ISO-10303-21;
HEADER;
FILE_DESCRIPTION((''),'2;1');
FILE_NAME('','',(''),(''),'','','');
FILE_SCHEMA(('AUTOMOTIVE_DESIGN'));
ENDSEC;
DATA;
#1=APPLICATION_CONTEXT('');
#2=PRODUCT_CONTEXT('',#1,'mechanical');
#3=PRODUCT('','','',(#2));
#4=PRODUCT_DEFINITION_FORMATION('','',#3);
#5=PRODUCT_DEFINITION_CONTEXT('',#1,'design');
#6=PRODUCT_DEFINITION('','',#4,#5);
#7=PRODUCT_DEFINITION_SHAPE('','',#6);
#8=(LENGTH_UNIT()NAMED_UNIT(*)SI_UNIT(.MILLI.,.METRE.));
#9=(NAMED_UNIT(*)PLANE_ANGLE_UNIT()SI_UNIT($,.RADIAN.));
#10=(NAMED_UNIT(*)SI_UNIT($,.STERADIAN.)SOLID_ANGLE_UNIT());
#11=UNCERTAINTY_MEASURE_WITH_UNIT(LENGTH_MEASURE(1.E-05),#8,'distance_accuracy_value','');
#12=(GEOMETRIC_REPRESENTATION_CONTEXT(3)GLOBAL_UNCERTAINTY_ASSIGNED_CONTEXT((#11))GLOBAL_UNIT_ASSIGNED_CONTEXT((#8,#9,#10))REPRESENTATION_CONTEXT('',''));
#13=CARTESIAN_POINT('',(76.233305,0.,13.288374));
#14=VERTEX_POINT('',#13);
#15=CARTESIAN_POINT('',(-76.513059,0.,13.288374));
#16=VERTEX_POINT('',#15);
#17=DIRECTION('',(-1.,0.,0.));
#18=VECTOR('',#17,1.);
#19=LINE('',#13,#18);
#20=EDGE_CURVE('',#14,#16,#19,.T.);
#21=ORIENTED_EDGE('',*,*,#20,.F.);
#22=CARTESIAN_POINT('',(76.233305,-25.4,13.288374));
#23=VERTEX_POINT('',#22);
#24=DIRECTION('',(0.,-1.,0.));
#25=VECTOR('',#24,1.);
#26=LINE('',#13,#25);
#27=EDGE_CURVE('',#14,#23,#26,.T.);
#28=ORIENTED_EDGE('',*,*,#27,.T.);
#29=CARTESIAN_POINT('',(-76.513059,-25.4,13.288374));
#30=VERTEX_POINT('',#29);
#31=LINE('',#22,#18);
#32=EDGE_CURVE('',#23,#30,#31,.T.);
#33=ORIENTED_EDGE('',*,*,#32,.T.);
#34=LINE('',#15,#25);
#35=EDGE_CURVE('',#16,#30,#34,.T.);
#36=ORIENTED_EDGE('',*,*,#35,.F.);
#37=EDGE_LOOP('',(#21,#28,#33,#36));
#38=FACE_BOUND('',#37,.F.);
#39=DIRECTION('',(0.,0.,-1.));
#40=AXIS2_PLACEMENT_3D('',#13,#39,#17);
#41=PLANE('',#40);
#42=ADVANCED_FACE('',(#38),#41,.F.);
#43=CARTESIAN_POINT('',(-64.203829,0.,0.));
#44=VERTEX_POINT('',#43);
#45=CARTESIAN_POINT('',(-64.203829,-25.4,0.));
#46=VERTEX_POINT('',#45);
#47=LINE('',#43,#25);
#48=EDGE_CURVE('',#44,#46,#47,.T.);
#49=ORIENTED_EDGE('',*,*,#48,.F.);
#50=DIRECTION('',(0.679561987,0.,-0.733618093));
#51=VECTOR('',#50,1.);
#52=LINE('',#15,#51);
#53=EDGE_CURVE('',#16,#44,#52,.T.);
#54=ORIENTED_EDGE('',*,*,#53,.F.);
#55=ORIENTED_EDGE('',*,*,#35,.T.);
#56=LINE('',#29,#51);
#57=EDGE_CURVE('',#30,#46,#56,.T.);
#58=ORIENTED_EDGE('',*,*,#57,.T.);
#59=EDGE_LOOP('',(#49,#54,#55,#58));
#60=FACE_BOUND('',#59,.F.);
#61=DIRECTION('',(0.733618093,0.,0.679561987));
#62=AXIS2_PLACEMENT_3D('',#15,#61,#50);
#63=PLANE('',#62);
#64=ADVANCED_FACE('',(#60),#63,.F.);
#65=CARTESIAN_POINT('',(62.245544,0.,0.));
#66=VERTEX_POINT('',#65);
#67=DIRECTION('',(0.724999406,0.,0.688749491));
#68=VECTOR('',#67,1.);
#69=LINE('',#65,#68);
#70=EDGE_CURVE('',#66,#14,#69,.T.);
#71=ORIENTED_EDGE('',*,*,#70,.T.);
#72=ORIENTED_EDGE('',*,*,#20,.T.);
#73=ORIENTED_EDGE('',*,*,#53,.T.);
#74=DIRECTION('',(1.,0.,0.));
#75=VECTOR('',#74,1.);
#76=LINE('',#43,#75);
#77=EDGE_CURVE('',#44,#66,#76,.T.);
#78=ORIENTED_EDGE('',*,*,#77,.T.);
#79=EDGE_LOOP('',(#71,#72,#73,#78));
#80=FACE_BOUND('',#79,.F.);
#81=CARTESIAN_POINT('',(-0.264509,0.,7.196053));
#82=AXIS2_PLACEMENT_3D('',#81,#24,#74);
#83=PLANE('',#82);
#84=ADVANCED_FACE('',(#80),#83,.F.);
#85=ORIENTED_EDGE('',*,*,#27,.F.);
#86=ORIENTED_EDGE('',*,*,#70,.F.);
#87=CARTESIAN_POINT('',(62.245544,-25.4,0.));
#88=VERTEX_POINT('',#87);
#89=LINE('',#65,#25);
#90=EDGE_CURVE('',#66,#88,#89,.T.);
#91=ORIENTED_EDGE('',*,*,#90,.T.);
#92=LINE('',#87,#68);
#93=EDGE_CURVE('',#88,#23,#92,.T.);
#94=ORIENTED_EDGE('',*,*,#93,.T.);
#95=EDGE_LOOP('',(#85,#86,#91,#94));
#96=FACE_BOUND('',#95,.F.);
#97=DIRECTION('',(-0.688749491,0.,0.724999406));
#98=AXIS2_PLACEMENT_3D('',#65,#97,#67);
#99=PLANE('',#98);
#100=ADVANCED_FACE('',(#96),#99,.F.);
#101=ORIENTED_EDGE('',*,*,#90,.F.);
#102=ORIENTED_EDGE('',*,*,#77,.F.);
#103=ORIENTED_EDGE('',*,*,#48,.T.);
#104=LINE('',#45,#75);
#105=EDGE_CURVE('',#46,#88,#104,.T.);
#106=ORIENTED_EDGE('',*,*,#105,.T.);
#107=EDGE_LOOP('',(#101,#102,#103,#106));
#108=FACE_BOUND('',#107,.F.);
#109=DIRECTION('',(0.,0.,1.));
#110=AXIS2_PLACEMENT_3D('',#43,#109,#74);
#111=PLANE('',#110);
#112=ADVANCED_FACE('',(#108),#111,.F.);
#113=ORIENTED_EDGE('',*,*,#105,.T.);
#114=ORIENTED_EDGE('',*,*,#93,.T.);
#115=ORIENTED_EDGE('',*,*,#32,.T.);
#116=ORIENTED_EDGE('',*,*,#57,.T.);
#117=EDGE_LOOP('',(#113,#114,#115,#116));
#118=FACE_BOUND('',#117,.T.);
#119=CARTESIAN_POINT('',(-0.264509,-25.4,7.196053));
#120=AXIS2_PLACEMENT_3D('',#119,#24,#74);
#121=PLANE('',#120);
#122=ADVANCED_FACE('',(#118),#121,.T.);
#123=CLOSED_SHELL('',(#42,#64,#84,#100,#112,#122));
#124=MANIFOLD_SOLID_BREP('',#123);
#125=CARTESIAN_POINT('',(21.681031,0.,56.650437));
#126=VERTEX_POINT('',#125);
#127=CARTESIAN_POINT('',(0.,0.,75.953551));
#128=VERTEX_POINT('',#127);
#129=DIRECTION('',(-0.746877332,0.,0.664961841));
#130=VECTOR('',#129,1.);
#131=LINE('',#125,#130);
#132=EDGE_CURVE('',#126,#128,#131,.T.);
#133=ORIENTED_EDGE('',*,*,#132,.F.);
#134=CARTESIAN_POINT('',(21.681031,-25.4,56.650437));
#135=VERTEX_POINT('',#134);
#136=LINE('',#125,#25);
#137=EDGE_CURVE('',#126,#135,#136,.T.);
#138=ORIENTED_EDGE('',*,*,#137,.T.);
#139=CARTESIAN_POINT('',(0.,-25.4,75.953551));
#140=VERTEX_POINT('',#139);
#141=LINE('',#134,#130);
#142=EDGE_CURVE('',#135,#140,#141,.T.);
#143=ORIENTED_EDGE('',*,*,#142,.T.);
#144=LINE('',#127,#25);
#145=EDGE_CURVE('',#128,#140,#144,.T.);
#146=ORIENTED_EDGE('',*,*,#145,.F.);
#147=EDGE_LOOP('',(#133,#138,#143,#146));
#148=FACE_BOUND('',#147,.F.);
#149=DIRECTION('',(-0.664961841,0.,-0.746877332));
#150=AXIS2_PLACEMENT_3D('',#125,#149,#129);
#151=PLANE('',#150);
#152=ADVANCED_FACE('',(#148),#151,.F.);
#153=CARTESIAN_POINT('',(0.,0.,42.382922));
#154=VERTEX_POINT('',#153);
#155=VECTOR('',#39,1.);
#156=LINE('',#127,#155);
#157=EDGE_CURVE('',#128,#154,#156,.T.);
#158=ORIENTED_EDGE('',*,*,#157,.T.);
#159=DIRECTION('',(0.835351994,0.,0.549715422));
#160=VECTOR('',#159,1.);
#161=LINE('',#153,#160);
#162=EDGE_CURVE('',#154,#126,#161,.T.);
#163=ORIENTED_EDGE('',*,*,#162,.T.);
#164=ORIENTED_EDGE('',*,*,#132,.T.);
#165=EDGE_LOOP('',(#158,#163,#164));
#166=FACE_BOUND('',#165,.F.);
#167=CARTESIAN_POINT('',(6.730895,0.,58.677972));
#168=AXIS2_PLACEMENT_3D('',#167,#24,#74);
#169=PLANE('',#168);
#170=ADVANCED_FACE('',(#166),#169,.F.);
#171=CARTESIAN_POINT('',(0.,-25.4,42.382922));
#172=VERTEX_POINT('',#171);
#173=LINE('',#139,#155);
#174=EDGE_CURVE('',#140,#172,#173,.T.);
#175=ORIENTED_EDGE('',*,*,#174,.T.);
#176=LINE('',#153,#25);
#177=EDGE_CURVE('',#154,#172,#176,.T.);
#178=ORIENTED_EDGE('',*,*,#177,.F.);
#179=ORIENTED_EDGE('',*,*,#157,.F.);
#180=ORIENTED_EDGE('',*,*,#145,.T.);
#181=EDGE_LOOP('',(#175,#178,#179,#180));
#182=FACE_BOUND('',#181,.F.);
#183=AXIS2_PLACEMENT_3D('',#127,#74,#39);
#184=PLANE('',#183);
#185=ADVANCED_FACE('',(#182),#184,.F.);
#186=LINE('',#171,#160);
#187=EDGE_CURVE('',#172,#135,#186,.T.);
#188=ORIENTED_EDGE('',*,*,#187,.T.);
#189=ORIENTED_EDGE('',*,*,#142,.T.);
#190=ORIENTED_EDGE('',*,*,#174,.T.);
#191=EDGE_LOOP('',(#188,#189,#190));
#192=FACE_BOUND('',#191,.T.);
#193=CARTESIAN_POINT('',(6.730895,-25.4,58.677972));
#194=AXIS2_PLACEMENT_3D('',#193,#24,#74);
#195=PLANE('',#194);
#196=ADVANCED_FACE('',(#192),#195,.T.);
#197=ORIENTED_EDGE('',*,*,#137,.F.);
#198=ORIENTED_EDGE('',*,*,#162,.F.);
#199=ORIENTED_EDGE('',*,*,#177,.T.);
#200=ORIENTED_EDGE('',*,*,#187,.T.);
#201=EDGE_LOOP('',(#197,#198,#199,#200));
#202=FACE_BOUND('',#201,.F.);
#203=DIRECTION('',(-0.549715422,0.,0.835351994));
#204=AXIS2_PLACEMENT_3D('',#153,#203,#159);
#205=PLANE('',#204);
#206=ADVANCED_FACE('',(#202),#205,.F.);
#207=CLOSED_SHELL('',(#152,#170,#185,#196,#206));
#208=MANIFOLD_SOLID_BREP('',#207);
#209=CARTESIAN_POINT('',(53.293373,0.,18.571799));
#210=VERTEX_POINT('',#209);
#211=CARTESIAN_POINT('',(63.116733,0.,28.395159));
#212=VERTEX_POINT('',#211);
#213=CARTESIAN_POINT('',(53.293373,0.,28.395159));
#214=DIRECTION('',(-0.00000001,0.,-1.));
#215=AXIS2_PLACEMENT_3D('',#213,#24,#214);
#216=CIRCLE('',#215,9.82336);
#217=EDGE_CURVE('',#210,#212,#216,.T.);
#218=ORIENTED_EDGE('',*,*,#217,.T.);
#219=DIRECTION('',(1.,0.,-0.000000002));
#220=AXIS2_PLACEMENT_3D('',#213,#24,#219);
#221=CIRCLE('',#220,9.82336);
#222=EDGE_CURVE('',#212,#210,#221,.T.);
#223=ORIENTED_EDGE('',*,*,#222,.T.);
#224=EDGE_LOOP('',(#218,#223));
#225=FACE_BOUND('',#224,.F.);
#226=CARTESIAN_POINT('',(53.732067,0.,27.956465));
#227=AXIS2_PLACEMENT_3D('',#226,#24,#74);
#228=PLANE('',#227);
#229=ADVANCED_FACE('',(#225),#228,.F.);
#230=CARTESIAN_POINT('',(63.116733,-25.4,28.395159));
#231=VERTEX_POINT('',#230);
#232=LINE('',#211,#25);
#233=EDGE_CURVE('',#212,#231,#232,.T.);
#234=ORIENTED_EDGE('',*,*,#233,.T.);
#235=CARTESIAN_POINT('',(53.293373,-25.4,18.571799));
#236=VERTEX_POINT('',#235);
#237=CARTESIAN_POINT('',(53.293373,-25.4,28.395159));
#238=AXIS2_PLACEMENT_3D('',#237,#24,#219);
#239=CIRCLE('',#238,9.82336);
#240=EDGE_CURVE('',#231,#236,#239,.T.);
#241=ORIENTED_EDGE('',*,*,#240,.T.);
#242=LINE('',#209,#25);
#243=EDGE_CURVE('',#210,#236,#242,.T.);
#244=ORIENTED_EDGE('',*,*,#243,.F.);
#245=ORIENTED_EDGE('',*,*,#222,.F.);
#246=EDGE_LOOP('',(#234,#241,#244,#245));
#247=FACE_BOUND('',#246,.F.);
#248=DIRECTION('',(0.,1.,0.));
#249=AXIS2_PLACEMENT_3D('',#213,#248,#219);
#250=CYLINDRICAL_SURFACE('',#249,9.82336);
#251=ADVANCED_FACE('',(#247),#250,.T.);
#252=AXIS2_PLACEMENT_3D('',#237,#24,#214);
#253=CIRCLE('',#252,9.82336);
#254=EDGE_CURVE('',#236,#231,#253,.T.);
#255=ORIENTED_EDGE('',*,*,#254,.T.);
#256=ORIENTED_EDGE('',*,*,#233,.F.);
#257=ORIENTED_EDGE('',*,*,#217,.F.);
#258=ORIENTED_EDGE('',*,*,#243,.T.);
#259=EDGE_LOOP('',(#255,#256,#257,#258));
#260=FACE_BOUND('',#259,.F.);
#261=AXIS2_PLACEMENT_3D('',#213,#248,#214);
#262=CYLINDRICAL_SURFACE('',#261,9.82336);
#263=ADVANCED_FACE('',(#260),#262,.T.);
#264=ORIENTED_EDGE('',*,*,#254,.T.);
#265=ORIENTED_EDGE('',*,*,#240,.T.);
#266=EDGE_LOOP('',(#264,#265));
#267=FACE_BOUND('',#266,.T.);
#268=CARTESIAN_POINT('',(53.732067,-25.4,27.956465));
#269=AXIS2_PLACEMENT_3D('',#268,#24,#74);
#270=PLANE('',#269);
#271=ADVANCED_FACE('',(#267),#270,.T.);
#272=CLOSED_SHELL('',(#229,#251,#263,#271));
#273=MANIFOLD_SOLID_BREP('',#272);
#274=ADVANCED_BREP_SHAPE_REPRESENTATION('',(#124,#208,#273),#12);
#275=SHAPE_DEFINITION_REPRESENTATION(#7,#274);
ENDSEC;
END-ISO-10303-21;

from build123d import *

# Parameters (mm, degrees)
F1_DEPTH = 25.4


with BuildPart() as f1:
    # F0 (on Front) → F1 (new body)
    with BuildSketch(Plane.XZ):
        Polygon((0, 75.953551), (0, 42.382922), (21.681031, 56.650437), align=None)
        with BuildLine():
            ThreePointArc((63.116733, 28.395159), (46.347209, 35.341324), (53.293373, 18.571799))
            ThreePointArc((53.293373, 18.571799), (60.239538, 21.448995), (63.116733, 28.395159))
        make_face()
        Polygon((-64.203829, 0), (0, 0), (62.245544, 0), (76.233305, 13.288374), (53.293373, 13.288374), (0, 13.288374), (-76.513059, 13.288374), align=None)
    extrude(amount=F1_DEPTH)


solid = f1.part
